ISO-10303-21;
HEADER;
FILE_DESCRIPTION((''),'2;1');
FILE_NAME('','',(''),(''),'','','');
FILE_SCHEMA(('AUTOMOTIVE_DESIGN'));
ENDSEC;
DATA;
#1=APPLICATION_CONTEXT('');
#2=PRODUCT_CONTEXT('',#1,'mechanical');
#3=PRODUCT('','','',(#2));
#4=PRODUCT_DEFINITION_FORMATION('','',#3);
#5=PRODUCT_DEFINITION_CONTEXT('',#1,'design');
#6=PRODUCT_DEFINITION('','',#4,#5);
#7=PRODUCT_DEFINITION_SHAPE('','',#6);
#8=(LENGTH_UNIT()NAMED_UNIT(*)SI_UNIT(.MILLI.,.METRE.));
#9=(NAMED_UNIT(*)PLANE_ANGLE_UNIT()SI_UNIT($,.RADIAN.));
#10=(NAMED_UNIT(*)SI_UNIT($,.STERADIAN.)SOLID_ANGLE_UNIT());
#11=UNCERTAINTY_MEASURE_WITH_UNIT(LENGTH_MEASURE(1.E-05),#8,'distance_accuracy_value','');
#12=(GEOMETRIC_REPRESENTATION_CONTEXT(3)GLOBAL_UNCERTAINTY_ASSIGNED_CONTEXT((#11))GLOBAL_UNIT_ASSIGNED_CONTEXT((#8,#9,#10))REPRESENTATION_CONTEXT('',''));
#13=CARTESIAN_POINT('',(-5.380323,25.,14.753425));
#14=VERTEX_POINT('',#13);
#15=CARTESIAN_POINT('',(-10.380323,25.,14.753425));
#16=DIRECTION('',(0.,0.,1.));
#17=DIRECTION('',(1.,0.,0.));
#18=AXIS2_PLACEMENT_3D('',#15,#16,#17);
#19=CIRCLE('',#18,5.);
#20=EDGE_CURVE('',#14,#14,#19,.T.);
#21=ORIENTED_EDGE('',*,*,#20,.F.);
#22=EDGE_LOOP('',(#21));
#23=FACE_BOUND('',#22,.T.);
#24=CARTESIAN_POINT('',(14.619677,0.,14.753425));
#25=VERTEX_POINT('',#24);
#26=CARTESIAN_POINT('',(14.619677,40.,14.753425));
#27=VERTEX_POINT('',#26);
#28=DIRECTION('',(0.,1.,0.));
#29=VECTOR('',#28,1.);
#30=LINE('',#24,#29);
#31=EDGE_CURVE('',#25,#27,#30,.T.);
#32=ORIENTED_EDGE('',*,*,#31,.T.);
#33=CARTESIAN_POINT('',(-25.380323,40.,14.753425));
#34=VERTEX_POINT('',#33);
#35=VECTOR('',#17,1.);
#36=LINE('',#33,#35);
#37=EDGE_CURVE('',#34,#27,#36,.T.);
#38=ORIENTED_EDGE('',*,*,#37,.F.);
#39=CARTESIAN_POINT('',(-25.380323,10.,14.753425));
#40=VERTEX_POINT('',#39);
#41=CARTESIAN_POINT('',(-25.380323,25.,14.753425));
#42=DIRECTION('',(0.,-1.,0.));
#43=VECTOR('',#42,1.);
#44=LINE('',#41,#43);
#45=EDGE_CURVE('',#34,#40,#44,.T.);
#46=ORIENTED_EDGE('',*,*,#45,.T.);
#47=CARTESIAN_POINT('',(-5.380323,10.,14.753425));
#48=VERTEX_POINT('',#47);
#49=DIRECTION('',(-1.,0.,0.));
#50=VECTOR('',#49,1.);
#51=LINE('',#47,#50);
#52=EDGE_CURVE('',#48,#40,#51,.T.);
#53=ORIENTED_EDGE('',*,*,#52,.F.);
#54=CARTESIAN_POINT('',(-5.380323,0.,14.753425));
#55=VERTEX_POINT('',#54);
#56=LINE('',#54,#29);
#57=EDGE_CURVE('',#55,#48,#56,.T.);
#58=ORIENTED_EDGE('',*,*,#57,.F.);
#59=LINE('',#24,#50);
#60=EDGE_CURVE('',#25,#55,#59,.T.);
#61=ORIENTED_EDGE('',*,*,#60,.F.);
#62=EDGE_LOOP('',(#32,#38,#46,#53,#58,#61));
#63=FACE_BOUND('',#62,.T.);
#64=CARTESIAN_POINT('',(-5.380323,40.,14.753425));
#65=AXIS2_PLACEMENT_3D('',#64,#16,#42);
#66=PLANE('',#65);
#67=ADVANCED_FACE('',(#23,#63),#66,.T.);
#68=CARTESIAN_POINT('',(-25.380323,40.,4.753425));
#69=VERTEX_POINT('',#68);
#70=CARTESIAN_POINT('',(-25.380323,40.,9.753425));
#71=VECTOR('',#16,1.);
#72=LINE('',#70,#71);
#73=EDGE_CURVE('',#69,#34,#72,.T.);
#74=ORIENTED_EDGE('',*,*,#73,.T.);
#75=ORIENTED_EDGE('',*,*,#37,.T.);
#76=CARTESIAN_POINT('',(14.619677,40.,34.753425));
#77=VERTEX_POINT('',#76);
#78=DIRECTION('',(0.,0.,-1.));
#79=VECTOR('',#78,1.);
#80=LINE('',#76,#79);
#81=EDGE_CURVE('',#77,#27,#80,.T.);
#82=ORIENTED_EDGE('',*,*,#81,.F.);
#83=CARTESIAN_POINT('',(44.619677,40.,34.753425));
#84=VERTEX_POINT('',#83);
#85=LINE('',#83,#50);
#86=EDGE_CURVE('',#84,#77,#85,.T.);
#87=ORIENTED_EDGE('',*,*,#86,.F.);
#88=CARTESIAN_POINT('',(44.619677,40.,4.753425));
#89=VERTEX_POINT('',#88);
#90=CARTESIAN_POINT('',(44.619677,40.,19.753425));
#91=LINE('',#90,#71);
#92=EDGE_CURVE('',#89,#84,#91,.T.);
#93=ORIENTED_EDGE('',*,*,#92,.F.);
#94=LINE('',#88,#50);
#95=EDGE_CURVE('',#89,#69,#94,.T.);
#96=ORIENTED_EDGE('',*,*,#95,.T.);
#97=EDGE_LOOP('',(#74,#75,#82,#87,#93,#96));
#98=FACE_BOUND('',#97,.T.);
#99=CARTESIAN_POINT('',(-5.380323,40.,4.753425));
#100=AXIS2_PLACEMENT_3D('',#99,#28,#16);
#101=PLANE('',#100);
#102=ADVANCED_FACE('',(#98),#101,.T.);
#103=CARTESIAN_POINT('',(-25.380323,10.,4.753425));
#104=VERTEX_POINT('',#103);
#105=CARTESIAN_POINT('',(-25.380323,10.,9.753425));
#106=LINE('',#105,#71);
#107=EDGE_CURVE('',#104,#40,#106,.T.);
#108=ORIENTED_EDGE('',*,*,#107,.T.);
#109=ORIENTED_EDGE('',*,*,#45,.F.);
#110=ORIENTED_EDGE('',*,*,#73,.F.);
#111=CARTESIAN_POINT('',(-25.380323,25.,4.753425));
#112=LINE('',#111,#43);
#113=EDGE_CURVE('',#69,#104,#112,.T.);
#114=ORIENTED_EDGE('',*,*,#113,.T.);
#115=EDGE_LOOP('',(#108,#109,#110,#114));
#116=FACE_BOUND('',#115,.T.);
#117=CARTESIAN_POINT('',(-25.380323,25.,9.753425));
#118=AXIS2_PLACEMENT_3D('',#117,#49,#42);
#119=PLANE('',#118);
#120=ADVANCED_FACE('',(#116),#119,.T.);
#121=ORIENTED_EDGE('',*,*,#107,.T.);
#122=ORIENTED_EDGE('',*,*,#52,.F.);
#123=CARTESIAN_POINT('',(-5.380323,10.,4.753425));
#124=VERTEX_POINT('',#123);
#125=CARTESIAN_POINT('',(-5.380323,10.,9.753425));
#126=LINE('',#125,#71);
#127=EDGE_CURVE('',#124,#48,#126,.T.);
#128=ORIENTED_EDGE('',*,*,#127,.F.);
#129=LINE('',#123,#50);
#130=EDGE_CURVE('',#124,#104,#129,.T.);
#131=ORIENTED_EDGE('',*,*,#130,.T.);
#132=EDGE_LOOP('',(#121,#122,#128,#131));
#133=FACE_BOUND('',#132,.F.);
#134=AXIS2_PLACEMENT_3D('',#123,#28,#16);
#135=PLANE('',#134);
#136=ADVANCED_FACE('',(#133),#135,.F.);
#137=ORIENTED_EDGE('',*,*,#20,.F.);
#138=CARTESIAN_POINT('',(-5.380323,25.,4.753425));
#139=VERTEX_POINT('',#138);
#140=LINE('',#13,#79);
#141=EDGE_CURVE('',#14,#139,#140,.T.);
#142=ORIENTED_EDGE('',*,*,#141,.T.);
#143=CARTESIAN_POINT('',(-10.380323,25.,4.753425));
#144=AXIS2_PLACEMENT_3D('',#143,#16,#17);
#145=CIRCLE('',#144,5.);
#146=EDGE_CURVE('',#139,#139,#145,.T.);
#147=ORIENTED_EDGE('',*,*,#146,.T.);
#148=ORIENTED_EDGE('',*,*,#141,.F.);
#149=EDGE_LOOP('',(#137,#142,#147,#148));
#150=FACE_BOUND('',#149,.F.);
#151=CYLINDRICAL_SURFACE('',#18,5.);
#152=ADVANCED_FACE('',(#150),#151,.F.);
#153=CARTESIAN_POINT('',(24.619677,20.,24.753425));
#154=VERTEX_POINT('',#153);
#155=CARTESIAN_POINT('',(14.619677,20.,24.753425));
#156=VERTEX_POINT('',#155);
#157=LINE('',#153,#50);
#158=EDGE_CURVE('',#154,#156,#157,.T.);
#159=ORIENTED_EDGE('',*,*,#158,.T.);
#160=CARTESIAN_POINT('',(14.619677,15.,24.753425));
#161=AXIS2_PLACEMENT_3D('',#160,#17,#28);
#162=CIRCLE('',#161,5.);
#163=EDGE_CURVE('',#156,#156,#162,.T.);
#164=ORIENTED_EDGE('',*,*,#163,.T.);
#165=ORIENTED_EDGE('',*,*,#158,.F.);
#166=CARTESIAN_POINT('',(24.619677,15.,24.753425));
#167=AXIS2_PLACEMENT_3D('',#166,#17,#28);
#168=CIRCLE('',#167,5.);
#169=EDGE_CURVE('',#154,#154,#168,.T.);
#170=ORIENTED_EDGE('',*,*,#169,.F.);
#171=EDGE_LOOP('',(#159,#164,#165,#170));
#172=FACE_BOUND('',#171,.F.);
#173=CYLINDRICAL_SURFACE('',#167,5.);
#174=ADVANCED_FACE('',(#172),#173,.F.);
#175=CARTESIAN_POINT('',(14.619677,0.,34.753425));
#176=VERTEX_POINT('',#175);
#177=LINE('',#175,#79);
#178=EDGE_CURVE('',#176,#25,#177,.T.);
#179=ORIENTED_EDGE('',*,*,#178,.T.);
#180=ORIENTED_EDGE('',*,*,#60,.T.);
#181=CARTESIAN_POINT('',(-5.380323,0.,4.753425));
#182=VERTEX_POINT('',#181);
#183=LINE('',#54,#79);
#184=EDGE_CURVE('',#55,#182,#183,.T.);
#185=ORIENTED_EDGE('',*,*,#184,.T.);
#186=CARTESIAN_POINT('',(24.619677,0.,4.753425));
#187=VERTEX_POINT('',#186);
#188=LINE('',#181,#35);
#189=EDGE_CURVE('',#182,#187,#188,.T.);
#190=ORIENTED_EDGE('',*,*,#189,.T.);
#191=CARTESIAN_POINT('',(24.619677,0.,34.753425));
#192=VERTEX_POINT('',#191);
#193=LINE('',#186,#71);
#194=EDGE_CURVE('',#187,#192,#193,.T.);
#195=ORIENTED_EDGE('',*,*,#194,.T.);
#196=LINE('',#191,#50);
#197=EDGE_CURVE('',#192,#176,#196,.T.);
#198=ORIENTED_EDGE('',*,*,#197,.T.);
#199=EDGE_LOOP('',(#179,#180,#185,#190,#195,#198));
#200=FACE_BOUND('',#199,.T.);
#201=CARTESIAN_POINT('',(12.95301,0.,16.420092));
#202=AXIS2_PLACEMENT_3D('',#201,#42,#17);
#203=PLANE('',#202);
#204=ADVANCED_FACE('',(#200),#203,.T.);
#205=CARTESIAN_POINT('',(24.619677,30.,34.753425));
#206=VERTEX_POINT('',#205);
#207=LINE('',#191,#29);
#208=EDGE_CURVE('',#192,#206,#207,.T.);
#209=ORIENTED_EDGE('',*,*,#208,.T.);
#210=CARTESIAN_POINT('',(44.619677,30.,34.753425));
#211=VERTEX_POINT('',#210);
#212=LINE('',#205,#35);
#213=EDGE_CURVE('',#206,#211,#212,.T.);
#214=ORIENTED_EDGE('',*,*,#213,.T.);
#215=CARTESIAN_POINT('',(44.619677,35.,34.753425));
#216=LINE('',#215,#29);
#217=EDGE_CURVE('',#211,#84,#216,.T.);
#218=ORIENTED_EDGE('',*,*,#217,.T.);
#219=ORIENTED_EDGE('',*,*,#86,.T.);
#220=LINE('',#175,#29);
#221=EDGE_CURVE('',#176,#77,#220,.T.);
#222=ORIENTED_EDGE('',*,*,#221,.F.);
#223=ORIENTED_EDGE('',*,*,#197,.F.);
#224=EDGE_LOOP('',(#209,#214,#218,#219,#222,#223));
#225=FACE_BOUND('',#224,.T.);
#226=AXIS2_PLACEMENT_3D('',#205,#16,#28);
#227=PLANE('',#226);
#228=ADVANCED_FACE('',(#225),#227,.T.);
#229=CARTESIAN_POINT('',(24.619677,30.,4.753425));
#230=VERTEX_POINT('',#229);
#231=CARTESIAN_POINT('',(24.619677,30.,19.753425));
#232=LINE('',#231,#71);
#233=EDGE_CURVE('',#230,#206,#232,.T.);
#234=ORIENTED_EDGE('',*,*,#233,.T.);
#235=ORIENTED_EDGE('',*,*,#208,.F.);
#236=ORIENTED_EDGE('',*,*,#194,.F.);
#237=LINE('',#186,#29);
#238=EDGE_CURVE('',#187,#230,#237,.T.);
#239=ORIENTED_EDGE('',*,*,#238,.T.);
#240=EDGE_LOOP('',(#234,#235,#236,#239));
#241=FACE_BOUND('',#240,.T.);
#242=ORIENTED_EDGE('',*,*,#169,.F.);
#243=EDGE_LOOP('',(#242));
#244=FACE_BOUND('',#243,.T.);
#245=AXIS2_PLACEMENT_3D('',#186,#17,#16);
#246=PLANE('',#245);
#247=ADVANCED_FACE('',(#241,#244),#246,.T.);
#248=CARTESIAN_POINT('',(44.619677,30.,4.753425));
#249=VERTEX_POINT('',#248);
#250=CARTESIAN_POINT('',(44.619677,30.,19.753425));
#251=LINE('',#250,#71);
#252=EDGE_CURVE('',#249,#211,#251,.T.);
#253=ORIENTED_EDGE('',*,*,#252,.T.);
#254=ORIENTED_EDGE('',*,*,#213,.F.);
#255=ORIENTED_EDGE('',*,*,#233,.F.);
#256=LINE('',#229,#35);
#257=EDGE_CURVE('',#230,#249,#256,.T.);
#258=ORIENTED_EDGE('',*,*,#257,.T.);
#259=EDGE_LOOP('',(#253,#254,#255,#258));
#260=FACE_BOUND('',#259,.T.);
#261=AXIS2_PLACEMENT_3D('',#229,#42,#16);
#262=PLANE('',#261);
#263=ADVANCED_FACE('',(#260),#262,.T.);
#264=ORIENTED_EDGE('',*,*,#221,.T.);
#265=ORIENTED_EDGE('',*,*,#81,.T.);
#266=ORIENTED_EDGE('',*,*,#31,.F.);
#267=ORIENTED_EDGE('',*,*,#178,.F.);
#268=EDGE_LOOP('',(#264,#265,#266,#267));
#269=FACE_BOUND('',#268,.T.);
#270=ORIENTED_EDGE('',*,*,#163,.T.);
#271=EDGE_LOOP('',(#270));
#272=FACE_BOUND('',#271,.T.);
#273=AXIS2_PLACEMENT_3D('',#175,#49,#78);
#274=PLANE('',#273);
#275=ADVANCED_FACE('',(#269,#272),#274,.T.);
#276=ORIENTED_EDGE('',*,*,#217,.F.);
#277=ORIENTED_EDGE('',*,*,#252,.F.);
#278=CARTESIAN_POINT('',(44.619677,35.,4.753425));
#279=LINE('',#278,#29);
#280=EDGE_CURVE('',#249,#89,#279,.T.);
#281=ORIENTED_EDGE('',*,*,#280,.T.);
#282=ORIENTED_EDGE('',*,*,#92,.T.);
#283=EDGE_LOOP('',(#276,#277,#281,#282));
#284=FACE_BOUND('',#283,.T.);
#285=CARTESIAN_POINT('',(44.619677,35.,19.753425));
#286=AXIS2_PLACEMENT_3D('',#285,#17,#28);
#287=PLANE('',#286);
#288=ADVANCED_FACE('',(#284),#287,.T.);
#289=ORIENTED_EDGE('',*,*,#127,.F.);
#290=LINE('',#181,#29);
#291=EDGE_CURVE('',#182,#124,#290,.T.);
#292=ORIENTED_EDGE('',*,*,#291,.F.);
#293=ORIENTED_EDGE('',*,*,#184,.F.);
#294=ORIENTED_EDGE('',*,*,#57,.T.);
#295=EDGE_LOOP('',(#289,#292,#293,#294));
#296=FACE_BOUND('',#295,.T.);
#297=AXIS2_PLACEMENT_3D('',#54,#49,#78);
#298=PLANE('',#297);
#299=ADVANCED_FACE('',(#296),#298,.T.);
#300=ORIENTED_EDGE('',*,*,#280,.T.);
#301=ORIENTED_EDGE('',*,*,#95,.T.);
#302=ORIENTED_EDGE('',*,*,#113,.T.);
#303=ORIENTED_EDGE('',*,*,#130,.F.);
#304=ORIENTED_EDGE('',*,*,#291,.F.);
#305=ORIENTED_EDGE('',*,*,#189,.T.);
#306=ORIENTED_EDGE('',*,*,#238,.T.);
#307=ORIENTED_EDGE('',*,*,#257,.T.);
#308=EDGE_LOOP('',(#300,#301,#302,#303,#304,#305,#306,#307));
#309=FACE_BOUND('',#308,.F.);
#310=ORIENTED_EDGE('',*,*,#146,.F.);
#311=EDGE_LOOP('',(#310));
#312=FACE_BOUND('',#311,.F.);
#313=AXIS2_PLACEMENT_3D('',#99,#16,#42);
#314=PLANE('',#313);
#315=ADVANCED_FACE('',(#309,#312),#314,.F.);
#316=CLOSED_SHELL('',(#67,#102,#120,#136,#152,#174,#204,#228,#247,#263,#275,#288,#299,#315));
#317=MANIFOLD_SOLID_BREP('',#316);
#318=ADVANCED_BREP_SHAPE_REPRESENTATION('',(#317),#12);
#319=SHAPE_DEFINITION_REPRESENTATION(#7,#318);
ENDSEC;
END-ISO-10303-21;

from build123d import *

# Parameters (mm, degrees)
F1_DEPTH = 40
F2_W     = 10
F2_H     = 30
F3_DEPTH = 20
F4_R     = 5
F5_DEPTH = 30.001
F6_W     = 30
F6_H     = 10
F7_DEPTH = 20
F8_R     = 5
F9_DEPTH = 10.001


with BuildPart() as f1:
    # F0 (on Front) → F1 (new body)
    with BuildSketch(Plane.XZ):
        Polygon((-5.380323, 14.753425), (-5.380323, 4.753425), (24.619677, 4.753425), (24.619677, 34.753425), (14.619677, 34.753425), (14.619677, 14.753425), align=None)
    extrude(amount=-F1_DEPTH)

    # F2 (on face) → F3 (join)
    with BuildSketch(Plane.YZ.offset(24.619677)):
        with Locations((35, 19.753425)):
            Rectangle(F2_W, F2_H)
    extrude(amount=F3_DEPTH)

    # F4 (on face) → F5 (cut, through all)
    with BuildSketch(Plane.YZ.offset(24.619677)):
        with Locations((15, 24.753425)):
            Circle(F4_R)
    extrude(amount=-F5_DEPTH, mode=Mode.SUBTRACT)

    # F6 (on face) → F7 (join)
    with BuildSketch(Plane(origin=(-5.380323, 0, 0), x_dir=(0, -1, 0), z_dir=(-1, 0, 0))):
        with Locations((-25, 9.753425)):
            Rectangle(F6_W, F6_H)
    extrude(amount=F7_DEPTH)

    # F8 (on face) → F9 (cut, through all)
    with BuildSketch(Plane.XY.offset(14.753425)):
        with Locations((-10.380323, 25)):
            Circle(F8_R)
    extrude(amount=-F9_DEPTH, mode=Mode.SUBTRACT)


solid = f1.part
